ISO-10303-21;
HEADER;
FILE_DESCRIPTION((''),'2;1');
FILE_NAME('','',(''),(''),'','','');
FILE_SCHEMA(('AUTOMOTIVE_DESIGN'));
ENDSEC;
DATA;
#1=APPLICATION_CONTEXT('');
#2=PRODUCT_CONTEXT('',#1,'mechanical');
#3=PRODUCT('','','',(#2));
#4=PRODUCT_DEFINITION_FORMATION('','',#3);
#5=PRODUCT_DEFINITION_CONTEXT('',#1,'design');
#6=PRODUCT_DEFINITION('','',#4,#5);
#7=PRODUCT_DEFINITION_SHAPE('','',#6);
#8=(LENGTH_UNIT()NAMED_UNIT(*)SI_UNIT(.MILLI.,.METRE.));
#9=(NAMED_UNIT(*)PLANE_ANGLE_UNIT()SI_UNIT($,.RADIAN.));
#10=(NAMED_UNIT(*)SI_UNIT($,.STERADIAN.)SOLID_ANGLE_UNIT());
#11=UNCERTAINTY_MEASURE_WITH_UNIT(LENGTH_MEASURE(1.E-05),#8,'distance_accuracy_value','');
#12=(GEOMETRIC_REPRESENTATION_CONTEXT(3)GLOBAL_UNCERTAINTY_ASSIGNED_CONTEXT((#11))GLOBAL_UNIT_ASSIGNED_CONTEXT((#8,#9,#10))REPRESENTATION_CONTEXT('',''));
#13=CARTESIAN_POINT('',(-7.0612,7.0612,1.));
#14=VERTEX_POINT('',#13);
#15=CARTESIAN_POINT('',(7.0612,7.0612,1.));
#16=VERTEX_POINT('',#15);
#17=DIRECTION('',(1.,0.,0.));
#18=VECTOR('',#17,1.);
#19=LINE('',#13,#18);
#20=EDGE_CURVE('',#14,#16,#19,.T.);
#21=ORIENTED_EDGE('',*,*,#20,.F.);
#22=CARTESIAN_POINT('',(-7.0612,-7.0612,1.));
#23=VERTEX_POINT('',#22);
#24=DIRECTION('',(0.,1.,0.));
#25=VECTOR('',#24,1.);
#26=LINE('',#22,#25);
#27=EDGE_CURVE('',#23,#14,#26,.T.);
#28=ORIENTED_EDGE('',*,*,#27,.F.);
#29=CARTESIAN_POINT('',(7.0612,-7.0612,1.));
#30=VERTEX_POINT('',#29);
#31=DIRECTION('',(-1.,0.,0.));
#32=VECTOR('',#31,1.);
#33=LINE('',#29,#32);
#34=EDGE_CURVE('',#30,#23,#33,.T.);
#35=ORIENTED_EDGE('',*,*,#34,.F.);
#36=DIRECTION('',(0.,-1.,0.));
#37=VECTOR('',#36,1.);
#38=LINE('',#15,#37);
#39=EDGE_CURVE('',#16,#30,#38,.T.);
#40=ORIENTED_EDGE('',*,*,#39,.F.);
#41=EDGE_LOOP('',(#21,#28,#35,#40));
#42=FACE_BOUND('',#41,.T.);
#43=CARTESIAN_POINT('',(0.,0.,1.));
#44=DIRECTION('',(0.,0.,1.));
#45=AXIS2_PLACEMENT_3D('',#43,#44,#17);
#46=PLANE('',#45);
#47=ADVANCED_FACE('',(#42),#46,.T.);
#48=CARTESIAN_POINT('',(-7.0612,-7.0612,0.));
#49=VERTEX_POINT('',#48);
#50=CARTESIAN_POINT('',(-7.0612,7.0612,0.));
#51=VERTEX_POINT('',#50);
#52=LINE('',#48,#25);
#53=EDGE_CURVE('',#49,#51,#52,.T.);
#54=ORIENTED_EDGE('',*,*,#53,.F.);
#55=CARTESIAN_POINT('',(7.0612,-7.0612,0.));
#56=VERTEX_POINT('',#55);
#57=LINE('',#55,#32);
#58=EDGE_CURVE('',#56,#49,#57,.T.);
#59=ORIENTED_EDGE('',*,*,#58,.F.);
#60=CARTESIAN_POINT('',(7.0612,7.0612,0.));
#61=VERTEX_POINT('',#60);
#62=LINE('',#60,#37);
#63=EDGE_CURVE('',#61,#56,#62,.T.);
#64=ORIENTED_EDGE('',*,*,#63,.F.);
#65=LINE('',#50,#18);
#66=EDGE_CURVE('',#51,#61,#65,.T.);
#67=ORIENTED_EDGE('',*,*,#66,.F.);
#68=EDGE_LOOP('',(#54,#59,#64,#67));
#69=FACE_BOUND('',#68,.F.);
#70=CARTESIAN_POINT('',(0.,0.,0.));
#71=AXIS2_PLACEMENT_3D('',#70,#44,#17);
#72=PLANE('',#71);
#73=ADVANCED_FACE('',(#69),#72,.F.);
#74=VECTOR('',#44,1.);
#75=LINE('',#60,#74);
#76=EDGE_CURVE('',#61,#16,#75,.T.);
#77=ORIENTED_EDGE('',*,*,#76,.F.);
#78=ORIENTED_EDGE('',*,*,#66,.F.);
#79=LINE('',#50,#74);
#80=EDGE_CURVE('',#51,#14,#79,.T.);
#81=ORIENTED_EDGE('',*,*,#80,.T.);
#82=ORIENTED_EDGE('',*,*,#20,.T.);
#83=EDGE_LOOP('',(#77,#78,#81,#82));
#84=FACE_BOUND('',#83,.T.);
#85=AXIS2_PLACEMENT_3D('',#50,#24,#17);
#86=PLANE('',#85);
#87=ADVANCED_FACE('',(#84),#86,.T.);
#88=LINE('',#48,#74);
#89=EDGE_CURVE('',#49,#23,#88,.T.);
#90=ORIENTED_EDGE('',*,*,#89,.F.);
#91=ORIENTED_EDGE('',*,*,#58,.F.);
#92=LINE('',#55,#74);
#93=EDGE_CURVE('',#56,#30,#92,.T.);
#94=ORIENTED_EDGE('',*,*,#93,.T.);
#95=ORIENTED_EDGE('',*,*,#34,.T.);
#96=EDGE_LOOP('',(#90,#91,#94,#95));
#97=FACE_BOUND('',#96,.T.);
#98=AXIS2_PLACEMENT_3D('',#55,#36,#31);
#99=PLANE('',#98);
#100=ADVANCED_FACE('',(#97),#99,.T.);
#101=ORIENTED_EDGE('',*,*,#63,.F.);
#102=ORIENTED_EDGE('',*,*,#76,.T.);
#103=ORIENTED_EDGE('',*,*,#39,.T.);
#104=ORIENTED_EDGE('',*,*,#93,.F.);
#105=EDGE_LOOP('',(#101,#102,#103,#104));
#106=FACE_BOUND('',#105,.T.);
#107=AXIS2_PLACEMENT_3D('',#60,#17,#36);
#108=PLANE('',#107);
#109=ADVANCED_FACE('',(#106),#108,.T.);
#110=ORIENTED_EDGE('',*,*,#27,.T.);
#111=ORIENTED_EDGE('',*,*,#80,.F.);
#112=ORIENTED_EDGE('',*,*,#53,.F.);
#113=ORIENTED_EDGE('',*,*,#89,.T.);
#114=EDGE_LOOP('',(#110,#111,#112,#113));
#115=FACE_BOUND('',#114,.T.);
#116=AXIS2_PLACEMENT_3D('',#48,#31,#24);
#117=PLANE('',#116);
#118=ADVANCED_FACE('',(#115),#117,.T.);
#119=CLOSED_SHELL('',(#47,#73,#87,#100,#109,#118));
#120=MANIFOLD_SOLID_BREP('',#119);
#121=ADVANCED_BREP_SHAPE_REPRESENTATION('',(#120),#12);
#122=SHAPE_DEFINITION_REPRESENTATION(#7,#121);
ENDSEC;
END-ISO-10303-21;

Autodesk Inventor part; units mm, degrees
ref_plane "YZ Plane" through (0, 0, 0) normal (1, 0, 0) x (0, 1, 0)
ref_plane "XZ Plane" through (0, 0, 0) normal (0, 1, 0) x (-1, 0, 0)
ref_plane "XY Plane" through (0, 0, 0) normal (0, 0, 1) x (1, 0, 0)
sketch "E5-13, E5-13_5" plane through (0, 0, 0) normal (0, 0, 1) x (1, 0, 0)
  line L0 (-7.0612, 7.0612) -> (7.0612, 7.0612)
  line L1 (7.0612, 7.0612) -> (7.0612, -7.0612)
  line L2 (7.0612, -7.0612) -> (-7.0612, -7.0612)
  line L3 (-7.0612, -7.0612) -> (-7.0612, 7.0612)
extrude "Extrusion1" add sketch "E5-13, E5-13_5" along normal blind 1
properties part number "E5-13"
